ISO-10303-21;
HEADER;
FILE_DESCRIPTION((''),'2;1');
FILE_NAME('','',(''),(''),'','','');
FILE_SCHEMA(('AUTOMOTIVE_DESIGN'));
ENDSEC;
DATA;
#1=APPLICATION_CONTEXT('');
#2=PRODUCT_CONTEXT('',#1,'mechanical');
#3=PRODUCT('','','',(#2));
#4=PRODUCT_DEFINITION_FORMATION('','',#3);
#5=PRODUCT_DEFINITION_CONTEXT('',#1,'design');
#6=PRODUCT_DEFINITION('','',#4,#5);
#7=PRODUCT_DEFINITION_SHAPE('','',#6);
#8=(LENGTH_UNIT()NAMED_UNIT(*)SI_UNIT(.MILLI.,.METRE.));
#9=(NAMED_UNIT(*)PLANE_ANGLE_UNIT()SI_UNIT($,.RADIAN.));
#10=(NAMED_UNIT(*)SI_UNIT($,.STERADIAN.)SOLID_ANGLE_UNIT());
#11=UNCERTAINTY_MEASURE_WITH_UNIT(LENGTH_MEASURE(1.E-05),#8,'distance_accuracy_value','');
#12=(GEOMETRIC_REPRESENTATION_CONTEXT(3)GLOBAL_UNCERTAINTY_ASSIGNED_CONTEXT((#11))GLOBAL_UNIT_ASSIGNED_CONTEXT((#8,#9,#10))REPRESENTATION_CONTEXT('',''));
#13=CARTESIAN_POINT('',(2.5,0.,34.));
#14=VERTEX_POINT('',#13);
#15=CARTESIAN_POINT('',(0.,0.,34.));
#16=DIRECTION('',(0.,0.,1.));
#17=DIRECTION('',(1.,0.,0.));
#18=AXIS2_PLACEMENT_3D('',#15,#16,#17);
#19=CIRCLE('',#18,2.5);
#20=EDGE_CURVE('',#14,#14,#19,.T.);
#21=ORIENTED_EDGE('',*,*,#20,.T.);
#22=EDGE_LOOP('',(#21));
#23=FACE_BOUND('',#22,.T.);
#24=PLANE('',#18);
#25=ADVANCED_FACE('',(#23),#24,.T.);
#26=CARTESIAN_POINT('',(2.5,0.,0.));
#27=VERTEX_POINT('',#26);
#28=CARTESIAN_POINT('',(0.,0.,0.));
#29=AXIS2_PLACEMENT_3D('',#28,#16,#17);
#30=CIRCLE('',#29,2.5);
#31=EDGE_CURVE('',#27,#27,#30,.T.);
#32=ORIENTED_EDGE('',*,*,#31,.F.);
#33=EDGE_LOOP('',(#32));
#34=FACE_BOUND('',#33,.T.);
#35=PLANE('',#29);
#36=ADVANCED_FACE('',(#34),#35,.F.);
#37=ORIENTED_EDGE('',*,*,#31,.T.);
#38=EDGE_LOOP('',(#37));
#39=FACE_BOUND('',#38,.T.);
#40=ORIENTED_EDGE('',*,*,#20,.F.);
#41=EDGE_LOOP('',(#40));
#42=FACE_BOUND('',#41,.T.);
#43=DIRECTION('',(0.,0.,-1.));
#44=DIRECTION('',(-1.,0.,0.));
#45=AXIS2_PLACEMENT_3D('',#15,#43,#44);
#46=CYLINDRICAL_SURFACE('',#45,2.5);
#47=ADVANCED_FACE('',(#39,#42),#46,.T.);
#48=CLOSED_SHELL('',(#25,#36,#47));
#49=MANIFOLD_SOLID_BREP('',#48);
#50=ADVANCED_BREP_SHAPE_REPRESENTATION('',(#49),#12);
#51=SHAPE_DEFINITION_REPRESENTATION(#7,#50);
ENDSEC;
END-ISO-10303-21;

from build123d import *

# Parameters (mm, degrees)
SKETCH1_R           = 2.5
BOSS_EXTRUDE1_DEPTH = 34


with BuildPart() as part:
    # Sketch1 → Boss-Extrude1 (new body)
    with BuildSketch(Plane.XY):
        Circle(SKETCH1_R)
    extrude(amount=BOSS_EXTRUDE1_DEPTH)


solid = part.part
